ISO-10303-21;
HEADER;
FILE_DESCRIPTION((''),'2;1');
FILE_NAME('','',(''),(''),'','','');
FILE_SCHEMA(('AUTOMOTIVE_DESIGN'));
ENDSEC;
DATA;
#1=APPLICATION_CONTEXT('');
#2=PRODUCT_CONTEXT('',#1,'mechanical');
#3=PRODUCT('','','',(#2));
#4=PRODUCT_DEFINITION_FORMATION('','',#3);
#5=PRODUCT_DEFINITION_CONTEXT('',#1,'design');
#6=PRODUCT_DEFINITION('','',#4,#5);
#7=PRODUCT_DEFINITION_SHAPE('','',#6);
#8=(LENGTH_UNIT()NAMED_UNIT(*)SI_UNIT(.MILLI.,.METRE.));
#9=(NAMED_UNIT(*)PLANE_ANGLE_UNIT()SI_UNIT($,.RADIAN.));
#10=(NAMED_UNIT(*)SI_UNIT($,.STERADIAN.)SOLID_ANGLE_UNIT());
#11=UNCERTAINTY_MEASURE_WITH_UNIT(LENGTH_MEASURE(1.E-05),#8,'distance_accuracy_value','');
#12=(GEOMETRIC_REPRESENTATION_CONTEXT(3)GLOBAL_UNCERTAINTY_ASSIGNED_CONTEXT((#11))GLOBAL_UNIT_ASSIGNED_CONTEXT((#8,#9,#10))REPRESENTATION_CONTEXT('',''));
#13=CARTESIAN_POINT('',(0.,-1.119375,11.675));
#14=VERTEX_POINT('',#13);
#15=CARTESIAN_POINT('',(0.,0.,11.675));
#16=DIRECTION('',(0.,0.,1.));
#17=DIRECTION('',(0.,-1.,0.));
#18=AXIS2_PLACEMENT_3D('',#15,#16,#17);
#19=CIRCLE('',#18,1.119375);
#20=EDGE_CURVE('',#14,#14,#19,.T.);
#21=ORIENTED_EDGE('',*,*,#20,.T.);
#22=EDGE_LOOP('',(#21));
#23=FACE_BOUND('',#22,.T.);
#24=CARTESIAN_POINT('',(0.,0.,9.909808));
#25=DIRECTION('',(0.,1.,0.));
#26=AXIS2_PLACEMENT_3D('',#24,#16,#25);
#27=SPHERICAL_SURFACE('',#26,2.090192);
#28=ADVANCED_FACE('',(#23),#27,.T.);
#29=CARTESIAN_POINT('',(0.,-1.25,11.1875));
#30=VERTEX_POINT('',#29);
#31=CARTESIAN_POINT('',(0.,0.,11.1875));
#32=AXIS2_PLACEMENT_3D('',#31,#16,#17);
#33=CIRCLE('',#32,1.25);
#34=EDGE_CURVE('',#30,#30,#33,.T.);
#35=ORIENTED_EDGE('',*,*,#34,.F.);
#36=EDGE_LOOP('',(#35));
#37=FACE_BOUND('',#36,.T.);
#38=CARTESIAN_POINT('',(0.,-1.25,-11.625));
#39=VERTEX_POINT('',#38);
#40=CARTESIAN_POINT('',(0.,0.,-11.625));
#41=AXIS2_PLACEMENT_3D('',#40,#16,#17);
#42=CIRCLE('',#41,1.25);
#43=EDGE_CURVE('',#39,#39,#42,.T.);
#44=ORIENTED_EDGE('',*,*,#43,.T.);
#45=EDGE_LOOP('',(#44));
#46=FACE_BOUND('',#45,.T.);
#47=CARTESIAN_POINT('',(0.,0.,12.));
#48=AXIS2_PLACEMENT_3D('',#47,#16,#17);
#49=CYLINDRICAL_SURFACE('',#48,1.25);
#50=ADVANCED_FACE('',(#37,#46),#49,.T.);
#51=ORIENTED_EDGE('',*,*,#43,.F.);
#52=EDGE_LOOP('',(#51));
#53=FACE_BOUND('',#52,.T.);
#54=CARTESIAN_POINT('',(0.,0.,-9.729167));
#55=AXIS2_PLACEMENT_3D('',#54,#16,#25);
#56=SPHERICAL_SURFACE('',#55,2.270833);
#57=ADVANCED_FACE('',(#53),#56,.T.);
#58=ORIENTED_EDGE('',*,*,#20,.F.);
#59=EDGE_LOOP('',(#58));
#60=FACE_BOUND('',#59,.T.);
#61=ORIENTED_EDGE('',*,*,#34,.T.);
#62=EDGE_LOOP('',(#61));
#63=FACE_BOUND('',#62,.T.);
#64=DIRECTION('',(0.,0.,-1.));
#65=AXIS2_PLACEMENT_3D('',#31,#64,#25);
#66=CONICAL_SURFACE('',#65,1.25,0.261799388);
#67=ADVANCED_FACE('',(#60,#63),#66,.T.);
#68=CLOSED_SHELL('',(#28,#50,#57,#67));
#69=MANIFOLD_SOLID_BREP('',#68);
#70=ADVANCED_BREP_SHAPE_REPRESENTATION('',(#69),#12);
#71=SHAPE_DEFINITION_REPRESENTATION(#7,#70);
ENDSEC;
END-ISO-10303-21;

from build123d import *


with BuildPart() as part:
    # Sketch3 → Revolve1 (revolve)
    with BuildSketch(Plane(origin=(0, 0, 0), x_dir=(0, 0, -1), z_dir=(1, 0, 0))):
        with BuildLine():
            Line((-12, 0), (12, 0))
            ThreePointArc((12, 0), (11.904230523, 0.652519157), (11.625, 1.25))
            Line((11.625, 1.25), (-11.1875, 1.25))
            Line((-11.1875, 1.25), (-11.675, 1.119374769))
            ThreePointArc((-11.675, 1.119374769), (-11.917106283, 0.582800324), (-12, 0))
        make_face()
    revolve(axis=Axis((0, 0, 12), (0, 0, -1)))


solid = part.part
